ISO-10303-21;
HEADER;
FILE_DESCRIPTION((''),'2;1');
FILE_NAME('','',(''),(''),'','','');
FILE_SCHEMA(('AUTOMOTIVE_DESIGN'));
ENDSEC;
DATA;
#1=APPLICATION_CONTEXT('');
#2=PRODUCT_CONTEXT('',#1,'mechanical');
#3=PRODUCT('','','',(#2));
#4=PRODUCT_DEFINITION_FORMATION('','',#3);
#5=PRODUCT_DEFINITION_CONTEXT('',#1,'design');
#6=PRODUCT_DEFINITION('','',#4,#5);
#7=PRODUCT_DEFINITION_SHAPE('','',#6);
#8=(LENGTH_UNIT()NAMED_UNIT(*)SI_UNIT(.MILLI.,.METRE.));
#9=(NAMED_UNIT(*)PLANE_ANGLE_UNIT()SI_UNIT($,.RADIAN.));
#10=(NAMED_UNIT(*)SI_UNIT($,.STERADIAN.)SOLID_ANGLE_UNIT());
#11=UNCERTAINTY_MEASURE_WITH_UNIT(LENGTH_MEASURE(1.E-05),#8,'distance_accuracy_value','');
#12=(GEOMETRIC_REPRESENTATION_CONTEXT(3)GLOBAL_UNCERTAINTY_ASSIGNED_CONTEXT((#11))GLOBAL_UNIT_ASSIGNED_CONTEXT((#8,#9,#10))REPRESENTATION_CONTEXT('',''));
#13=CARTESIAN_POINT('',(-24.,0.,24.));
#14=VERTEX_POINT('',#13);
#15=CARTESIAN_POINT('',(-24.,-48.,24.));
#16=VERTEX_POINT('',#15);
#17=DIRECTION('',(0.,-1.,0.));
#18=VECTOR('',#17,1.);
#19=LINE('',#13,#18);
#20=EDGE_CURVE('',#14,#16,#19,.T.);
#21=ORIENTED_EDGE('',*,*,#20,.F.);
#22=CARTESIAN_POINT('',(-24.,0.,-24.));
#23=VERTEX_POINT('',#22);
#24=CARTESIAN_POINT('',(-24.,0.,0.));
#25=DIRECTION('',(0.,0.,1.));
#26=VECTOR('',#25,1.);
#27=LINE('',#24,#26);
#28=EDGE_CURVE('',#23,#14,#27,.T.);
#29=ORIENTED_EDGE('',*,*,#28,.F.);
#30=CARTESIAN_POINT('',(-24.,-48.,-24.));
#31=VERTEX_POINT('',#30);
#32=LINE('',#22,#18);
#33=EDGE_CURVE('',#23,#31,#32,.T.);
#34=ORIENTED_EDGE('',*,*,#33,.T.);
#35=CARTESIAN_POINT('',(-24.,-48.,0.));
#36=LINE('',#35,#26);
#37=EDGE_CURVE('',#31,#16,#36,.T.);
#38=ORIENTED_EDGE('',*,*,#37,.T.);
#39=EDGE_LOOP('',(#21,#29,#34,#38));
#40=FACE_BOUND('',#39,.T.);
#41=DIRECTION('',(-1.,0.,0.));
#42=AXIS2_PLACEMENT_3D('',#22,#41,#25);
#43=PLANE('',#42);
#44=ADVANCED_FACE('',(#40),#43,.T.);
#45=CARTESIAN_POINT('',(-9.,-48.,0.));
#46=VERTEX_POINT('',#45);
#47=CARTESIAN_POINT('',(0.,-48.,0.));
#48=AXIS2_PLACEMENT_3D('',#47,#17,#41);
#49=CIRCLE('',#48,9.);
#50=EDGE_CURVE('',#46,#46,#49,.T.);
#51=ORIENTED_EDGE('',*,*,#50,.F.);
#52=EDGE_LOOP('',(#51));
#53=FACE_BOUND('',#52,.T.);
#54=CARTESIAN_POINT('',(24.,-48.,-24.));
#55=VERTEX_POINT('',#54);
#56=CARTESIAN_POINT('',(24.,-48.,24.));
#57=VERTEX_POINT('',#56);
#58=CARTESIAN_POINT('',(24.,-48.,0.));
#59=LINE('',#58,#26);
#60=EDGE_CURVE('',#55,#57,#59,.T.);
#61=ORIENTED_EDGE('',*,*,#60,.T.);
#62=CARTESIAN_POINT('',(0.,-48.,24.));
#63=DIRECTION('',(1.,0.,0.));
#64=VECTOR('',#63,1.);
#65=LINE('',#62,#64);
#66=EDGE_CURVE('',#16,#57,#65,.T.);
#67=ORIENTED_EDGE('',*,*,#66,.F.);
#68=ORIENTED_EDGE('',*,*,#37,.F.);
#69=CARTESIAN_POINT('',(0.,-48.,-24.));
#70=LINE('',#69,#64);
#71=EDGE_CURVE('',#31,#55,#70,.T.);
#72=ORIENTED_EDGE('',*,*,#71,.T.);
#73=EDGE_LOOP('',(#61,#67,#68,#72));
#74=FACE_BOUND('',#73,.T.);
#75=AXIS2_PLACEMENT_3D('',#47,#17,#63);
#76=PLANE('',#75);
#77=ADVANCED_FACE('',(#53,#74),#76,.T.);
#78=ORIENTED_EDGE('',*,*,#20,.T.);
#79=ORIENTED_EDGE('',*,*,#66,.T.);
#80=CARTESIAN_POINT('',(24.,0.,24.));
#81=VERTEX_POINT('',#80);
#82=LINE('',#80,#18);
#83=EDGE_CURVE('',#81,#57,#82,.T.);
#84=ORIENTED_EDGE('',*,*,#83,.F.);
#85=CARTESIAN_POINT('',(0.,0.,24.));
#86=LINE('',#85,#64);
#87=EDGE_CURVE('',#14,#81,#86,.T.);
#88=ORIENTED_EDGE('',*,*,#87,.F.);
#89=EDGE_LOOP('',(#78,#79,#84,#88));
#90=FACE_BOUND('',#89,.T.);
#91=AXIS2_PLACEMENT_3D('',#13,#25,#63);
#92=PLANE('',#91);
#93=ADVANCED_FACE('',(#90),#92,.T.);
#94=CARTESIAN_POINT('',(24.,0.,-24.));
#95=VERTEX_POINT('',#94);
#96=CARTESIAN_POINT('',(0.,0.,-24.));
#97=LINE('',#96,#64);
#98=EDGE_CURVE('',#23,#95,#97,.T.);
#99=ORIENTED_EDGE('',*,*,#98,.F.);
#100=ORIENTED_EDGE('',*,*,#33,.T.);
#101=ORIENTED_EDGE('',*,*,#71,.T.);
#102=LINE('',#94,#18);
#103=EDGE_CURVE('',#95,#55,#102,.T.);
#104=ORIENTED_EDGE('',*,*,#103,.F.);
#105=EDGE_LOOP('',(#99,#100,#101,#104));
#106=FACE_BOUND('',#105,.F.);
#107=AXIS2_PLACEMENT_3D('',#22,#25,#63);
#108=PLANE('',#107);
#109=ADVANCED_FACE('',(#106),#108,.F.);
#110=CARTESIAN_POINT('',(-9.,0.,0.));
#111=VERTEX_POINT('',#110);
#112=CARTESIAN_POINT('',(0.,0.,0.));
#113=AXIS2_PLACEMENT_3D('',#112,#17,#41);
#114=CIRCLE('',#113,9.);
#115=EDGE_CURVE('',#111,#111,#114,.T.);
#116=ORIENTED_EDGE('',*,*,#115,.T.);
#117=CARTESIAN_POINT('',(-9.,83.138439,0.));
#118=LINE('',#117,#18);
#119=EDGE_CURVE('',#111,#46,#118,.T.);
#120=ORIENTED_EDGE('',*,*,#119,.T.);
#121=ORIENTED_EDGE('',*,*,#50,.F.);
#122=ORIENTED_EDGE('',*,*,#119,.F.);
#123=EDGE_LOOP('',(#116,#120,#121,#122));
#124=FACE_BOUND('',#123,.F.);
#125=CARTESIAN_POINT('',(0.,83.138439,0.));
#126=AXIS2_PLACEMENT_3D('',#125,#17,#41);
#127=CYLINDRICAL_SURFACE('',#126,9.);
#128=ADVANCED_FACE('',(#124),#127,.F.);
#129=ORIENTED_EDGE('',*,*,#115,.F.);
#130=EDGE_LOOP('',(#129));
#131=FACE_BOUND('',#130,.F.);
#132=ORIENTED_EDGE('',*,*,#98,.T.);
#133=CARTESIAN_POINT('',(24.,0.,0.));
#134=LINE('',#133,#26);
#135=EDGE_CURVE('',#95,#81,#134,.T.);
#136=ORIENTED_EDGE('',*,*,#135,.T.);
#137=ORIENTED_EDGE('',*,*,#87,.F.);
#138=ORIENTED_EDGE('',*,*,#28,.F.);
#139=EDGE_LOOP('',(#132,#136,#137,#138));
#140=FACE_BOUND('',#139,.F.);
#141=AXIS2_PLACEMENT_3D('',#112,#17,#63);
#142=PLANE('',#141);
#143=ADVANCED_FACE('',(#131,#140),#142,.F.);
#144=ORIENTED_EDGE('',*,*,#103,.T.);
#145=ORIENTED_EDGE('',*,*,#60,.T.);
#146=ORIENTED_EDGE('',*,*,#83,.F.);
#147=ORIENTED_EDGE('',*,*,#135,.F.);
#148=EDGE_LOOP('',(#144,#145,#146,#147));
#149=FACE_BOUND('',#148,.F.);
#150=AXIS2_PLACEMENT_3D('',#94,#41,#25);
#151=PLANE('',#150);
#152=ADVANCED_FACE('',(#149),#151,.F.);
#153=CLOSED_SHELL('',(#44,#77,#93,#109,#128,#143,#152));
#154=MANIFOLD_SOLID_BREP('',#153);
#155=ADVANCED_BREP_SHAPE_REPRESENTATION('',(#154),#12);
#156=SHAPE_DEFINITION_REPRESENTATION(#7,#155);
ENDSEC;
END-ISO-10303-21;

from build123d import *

# Parameters (mm, degrees)
F0_W     = 48
F0_H     = 48
F1_DEPTH = 48
F3_D     = 18


with BuildPart() as f1:
    # F0 (on Front) → F1 (new body)
    with BuildSketch(Plane.XZ):
        Rectangle(F0_W, F0_H)
    extrude(amount=F1_DEPTH)

    # F3 (through all)
    with Locations(Plane(origin=(0, 0, 0), x_dir=(1, 0, 0), z_dir=(0, 1, 0))):
        with Locations((0, 0)):
            Hole(F3_D / 2)


solid = f1.part
